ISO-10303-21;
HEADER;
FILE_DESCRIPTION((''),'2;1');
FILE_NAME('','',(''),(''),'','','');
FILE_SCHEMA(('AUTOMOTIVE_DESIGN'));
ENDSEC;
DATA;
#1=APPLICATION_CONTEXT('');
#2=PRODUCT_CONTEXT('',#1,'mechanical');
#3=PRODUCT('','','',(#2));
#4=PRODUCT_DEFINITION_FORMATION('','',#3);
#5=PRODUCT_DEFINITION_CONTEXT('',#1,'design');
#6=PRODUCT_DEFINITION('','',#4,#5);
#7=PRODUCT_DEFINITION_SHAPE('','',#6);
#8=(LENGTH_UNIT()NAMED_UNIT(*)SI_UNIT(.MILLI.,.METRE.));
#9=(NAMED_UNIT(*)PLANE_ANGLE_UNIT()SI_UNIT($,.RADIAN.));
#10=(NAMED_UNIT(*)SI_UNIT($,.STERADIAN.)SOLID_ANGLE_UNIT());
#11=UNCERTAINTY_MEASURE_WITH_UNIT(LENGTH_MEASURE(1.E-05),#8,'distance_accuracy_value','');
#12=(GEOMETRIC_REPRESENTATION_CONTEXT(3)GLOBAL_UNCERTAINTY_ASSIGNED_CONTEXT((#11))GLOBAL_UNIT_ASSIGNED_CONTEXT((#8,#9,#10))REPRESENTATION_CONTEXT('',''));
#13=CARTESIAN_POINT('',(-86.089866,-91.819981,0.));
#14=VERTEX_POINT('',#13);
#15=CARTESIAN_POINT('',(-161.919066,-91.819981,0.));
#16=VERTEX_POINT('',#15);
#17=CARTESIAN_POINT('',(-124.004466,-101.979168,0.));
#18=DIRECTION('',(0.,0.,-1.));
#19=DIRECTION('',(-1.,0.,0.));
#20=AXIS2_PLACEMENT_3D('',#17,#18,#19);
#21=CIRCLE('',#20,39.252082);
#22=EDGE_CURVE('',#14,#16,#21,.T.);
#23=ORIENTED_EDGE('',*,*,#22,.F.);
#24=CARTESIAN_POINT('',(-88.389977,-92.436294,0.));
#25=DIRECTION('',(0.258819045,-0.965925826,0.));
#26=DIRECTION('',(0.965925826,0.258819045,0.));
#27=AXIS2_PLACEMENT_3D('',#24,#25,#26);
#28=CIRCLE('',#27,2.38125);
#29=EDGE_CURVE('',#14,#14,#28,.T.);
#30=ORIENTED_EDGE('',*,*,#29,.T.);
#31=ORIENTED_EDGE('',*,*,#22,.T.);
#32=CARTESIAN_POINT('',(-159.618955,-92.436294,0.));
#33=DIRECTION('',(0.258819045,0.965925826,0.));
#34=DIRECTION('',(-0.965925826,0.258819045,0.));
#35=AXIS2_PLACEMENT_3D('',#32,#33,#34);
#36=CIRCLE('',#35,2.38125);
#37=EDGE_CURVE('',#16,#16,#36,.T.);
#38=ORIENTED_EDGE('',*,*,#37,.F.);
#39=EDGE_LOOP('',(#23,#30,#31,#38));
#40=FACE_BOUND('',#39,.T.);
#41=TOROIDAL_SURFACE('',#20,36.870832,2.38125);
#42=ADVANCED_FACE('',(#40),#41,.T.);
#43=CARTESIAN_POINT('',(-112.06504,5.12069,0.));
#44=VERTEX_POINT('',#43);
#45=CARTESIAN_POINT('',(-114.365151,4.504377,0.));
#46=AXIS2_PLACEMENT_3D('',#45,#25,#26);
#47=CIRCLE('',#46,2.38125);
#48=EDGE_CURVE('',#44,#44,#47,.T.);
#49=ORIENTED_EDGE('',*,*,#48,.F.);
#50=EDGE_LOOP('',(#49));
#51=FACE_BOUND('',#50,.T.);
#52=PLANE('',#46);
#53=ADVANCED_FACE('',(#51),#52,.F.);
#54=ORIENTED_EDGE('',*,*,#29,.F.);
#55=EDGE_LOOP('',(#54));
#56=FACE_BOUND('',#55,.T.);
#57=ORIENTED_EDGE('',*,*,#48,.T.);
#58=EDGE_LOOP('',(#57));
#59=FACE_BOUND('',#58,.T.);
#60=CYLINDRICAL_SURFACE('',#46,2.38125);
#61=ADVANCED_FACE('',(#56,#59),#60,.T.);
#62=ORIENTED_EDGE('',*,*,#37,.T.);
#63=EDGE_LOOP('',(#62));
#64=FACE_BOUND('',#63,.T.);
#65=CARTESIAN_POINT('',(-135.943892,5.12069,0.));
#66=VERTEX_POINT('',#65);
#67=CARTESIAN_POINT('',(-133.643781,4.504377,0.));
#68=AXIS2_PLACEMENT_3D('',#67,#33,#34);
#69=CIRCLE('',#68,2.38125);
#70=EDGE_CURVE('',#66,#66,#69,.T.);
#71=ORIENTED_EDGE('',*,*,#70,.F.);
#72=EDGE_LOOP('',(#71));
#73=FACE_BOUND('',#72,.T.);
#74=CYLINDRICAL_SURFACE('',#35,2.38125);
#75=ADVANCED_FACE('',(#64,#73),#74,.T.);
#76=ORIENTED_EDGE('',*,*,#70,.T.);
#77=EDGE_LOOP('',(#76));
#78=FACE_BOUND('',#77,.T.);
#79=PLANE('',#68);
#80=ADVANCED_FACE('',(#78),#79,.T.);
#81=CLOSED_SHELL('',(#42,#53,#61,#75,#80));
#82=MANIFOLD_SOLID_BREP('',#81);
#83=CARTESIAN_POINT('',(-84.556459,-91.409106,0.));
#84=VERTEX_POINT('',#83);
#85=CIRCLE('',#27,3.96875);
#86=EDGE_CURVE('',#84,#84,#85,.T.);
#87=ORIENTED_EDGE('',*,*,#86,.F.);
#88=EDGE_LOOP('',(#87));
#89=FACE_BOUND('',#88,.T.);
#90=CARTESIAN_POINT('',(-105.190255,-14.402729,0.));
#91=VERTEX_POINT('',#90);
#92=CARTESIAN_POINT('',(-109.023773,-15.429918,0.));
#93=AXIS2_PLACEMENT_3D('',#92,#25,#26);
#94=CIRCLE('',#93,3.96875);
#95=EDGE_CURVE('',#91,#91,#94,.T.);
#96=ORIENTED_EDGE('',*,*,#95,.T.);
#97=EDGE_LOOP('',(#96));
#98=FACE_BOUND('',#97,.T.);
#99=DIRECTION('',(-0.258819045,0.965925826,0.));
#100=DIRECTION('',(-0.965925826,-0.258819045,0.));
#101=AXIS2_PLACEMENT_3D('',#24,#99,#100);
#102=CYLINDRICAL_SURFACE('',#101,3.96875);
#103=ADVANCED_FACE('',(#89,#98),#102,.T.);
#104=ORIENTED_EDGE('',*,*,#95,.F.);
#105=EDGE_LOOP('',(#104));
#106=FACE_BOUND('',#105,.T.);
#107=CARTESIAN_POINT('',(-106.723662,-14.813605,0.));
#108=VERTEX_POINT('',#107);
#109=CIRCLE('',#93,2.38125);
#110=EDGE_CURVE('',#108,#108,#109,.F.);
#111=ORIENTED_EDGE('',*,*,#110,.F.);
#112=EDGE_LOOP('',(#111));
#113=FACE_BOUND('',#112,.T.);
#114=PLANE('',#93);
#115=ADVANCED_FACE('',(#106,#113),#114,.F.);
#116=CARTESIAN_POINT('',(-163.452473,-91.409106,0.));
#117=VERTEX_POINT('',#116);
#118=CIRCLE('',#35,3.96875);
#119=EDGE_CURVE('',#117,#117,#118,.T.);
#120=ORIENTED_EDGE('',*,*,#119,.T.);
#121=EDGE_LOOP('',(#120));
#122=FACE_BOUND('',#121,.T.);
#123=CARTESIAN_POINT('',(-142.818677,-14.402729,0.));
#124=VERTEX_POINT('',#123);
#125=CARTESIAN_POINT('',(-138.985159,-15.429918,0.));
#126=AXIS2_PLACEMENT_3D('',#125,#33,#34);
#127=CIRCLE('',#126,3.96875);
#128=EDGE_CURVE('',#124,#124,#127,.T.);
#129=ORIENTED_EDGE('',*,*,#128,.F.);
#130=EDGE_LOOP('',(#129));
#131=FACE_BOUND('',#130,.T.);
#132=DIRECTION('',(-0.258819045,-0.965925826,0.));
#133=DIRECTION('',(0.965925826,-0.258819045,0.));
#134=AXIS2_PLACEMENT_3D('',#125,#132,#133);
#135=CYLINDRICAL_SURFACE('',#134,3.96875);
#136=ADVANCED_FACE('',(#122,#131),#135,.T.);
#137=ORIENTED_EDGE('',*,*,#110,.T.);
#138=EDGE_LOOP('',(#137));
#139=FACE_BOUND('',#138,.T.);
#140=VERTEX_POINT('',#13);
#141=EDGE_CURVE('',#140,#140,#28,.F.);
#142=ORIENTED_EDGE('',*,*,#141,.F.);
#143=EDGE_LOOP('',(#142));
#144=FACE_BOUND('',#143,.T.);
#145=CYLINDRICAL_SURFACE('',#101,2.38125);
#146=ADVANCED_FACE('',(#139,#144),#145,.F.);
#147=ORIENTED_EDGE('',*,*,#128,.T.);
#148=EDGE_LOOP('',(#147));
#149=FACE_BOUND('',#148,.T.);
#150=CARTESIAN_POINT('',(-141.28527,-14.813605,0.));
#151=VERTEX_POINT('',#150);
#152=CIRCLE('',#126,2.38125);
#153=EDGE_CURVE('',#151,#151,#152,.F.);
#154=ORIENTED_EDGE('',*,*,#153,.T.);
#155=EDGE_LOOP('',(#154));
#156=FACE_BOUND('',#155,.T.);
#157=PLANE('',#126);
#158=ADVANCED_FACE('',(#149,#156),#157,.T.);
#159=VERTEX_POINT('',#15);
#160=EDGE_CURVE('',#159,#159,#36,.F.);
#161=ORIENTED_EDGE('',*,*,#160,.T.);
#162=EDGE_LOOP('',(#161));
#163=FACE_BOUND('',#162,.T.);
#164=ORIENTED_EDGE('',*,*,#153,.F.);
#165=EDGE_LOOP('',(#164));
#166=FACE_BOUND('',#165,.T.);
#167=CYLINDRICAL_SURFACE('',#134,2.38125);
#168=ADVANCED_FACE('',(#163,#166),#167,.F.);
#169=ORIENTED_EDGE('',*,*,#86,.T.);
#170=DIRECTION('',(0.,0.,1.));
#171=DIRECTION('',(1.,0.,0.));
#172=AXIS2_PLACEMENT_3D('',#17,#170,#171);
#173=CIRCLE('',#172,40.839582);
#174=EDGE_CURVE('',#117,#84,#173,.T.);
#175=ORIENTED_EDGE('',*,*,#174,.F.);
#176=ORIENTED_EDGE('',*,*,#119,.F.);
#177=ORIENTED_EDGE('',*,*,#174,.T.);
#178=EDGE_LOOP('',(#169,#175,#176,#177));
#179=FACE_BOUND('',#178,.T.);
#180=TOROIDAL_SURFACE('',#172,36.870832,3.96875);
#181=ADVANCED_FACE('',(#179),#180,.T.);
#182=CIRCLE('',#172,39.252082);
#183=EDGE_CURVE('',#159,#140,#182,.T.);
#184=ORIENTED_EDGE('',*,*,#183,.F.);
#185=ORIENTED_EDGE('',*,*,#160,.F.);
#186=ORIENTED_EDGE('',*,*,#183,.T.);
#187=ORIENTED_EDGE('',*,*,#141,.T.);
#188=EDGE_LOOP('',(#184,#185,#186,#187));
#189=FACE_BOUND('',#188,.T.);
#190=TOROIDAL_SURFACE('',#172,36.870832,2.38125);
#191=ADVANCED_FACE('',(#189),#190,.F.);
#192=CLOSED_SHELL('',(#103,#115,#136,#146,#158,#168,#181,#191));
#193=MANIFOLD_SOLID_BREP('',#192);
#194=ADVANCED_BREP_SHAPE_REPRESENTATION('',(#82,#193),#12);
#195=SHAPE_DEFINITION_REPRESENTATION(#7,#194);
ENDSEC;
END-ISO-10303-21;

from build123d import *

# Parameters (mm, degrees)
SKETCH3_R   = 2.38125
SKETCH4_R   = 3.96875
SKETCH4_R_2 = 2.38125


with BuildPart() as part:
    # Sweep1: sweep along a path in Sketch2
    with BuildLine(Plane.XY) as sweep1_path:
        Line((-114.365151202, 4.504376727), (-88.389976761, -92.436294023))
        ThreePointArc((-88.389976761, -92.436294023), (-124.004465969, -138.85), (-159.618955177, -92.436294023))
        Line((-159.618955177, -92.436294023), (-133.643780736, 4.504376727))
    # Sketch3 → Sweep1 (sweep)
    with BuildSketch(Plane(origin=(-114.365151202, 4.504376727, 0), x_dir=(-0.965925826, -0.258819045, 0), z_dir=(0.258819045, -0.965925826, 0))):
        Circle(SKETCH3_R)
    sweep(path=sweep1_path.line)


with BuildPart() as body_2:
    # Sweep2: sweep along a path in Sketch5
    with BuildLine(Plane.XY) as sweep2_path:
        Line((-138.985158779, -15.429917513), (-159.618955177, -92.436294023))
        ThreePointArc((-159.618955177, -92.436294023), (-124.004465969, -138.85), (-88.389976761, -92.436294023))
        Line((-88.389976761, -92.436294023), (-109.023773159, -15.429917513))
    # Sketch4 → Sweep2 (sweep)
    with BuildSketch(Plane(origin=(-3.445728615, 12.859634261, 0), x_dir=(0.965925826, 0.258819045, 0), z_dir=(0.258819045, -0.965925826, 0))):
        with Locations((-109.302434691, 0)):
            Circle(SKETCH4_R)
        with Locations((-109.302434691, 0)):
            Circle(SKETCH4_R_2, mode=Mode.SUBTRACT)
    sweep(path=sweep2_path.line)


solid = Compound([part.part, body_2.part])
